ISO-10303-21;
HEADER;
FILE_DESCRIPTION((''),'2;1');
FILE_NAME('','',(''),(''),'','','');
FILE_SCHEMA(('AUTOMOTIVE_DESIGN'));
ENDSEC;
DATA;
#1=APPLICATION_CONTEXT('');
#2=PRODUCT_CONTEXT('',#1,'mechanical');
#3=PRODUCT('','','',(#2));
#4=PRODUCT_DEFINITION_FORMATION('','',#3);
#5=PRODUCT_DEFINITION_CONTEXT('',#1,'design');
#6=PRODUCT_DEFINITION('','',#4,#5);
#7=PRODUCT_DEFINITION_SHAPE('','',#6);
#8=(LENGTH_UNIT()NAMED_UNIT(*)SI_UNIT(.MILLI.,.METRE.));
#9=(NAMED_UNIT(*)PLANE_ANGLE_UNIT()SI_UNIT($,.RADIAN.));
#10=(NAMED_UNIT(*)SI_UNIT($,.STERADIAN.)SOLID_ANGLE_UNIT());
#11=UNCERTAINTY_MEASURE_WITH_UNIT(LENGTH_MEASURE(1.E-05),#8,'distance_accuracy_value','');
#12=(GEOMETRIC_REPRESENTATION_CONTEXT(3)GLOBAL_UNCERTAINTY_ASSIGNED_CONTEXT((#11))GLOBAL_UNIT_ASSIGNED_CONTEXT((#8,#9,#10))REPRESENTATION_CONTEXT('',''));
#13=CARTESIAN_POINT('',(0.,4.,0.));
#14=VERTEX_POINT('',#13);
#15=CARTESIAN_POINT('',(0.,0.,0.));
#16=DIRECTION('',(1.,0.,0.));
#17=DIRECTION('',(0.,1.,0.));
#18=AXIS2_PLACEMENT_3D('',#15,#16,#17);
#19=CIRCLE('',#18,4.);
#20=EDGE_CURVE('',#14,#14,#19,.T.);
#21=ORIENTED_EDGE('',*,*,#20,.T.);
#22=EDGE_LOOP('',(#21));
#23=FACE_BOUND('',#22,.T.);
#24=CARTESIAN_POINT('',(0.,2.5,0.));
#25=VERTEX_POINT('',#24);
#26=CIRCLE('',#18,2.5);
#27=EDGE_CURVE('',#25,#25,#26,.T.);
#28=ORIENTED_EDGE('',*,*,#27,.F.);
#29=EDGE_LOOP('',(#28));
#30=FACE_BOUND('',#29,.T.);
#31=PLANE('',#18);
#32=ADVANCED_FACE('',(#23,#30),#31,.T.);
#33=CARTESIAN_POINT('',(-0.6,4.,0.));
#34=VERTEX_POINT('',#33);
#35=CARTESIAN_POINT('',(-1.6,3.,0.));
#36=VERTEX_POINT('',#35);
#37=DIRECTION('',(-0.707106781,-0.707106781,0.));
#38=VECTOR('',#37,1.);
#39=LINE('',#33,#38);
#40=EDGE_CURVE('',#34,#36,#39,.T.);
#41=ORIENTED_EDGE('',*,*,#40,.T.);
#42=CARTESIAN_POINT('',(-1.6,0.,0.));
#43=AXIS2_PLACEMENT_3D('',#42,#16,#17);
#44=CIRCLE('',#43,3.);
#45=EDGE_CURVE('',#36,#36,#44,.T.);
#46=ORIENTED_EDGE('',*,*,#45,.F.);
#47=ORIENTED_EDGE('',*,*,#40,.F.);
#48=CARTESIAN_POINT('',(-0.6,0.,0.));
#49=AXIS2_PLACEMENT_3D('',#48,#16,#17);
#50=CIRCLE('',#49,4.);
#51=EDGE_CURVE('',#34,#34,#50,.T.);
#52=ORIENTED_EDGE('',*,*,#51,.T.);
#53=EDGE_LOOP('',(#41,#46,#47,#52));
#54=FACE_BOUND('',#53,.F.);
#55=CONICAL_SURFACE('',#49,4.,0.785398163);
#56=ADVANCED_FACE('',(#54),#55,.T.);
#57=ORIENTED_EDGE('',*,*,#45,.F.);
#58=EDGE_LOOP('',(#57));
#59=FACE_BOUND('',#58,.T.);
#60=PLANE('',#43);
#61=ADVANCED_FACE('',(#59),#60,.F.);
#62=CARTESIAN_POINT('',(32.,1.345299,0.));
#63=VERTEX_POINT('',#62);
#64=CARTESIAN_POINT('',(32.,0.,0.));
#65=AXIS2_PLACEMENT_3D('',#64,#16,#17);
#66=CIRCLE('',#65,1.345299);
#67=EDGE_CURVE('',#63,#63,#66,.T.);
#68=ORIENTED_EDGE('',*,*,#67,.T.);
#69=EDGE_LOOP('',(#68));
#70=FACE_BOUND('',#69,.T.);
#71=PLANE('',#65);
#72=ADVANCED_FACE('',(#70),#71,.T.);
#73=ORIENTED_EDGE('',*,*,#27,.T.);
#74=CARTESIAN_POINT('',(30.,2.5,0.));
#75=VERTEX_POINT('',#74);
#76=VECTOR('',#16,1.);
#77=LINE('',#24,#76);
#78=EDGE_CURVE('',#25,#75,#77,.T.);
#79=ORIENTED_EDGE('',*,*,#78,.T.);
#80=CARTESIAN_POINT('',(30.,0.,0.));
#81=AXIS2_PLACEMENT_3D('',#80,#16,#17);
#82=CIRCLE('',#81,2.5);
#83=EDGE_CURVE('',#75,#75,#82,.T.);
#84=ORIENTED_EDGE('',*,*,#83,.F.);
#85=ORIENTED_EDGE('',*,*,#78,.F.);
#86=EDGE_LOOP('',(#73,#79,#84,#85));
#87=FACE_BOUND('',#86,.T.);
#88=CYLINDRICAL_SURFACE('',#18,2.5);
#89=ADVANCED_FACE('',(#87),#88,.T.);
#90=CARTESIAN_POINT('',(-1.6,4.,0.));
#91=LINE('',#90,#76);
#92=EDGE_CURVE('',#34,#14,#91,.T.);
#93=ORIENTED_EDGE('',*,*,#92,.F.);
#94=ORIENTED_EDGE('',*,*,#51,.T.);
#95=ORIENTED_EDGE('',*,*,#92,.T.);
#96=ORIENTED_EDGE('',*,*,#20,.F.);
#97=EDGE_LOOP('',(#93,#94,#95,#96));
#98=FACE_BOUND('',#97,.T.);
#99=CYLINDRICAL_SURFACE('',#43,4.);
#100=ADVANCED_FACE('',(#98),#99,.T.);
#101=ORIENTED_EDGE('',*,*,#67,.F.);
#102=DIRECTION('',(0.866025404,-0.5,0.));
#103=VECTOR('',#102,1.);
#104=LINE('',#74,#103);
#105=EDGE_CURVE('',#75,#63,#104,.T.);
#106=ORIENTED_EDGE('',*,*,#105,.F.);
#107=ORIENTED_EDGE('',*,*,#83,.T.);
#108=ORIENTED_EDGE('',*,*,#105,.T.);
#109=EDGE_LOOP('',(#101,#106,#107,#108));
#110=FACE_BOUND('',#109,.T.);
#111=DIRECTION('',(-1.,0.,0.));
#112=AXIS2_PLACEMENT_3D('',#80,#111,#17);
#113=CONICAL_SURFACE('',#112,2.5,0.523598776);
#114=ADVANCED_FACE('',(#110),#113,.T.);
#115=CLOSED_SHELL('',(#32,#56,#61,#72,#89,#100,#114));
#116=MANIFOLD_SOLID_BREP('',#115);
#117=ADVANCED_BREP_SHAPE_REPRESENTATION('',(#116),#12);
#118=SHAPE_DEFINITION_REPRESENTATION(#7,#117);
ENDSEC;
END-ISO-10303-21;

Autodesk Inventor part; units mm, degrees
ref_plane "YZ Plane" through (0, 0, 0) normal (1, 0, 0) x (0, 1, 0)
ref_plane "XZ Plane" through (0, 0, 0) normal (0, 1, 0) x (-1, 0, 0)
ref_plane "XY Plane" through (0, 0, 0) normal (0, 0, 1) x (1, 0, 0)
sketch "Szkic1" plane through (0, 0, 0) normal (0, 0, 1) x (1, 0, 0)
  line L0 (-1.6, 0) -> (-1.6, 4)
  line L1 (-1.6, 4) -> (0, 4)
  line L2 (0, 4) -> (0, 2.5)
  line L3 (0, 2.5) -> (32, 2.5)
  line L4 (32, 2.5) -> (32, 0)
  line L5 (-1.6, 0) -> (32, 0)
  line L6 (-4, 0) -> (17, 0) projected
  line L7 (0, -0.5) -> (0, 3) projected
  dimension "d0" = 1.6
  dimension "d1" = 32
  dimension "d2" = 5
  dimension "d3" = 8
revolve "Bryła" add sketch "Szkic1" angle 360 about axis through (-1.6, 0, 0) along (1, 0, 0)
chamfer "Faza1" distance 2 angle 30 1 edges at (32, -2.5, 0) measured on face at (10.6667, 2.4919, -0.2012)
chamfer "Faza2" distance 1 angle 45 1 edges at (-1.6, -4, 0) measured on face at (-1.0667, 3.9482, -0.6416)
equation "\"d7\" = PHH1"
equation "\"d8\" = FAWI1"
equation "\"d12\" = PHH1"
equation "\"d4\" = PHH2"
equation "\"d6\" = FAWI2"
equation "\"d13\" = PHH2"
equation "\"d0\" = KOH"
equation "\"d1\" = NLG"
equation "\"d2\" = NND"
equation "\"d3\" = KOD"
equation "\"NLG\" = 32"
equation "\"KOH\" = 1.6"
equation "\"KOD\" = 8"
equation "\"NND\" = 5"
equation "\"FAWI1\" = 30deg"
equation "\"FAWI2\" = 45deg"
equation "\"PHH2\" = 1"
equation "\"PHH1\" = 2"
properties part number "ISO 2341 - A - 5 x 32" material "Stal"
